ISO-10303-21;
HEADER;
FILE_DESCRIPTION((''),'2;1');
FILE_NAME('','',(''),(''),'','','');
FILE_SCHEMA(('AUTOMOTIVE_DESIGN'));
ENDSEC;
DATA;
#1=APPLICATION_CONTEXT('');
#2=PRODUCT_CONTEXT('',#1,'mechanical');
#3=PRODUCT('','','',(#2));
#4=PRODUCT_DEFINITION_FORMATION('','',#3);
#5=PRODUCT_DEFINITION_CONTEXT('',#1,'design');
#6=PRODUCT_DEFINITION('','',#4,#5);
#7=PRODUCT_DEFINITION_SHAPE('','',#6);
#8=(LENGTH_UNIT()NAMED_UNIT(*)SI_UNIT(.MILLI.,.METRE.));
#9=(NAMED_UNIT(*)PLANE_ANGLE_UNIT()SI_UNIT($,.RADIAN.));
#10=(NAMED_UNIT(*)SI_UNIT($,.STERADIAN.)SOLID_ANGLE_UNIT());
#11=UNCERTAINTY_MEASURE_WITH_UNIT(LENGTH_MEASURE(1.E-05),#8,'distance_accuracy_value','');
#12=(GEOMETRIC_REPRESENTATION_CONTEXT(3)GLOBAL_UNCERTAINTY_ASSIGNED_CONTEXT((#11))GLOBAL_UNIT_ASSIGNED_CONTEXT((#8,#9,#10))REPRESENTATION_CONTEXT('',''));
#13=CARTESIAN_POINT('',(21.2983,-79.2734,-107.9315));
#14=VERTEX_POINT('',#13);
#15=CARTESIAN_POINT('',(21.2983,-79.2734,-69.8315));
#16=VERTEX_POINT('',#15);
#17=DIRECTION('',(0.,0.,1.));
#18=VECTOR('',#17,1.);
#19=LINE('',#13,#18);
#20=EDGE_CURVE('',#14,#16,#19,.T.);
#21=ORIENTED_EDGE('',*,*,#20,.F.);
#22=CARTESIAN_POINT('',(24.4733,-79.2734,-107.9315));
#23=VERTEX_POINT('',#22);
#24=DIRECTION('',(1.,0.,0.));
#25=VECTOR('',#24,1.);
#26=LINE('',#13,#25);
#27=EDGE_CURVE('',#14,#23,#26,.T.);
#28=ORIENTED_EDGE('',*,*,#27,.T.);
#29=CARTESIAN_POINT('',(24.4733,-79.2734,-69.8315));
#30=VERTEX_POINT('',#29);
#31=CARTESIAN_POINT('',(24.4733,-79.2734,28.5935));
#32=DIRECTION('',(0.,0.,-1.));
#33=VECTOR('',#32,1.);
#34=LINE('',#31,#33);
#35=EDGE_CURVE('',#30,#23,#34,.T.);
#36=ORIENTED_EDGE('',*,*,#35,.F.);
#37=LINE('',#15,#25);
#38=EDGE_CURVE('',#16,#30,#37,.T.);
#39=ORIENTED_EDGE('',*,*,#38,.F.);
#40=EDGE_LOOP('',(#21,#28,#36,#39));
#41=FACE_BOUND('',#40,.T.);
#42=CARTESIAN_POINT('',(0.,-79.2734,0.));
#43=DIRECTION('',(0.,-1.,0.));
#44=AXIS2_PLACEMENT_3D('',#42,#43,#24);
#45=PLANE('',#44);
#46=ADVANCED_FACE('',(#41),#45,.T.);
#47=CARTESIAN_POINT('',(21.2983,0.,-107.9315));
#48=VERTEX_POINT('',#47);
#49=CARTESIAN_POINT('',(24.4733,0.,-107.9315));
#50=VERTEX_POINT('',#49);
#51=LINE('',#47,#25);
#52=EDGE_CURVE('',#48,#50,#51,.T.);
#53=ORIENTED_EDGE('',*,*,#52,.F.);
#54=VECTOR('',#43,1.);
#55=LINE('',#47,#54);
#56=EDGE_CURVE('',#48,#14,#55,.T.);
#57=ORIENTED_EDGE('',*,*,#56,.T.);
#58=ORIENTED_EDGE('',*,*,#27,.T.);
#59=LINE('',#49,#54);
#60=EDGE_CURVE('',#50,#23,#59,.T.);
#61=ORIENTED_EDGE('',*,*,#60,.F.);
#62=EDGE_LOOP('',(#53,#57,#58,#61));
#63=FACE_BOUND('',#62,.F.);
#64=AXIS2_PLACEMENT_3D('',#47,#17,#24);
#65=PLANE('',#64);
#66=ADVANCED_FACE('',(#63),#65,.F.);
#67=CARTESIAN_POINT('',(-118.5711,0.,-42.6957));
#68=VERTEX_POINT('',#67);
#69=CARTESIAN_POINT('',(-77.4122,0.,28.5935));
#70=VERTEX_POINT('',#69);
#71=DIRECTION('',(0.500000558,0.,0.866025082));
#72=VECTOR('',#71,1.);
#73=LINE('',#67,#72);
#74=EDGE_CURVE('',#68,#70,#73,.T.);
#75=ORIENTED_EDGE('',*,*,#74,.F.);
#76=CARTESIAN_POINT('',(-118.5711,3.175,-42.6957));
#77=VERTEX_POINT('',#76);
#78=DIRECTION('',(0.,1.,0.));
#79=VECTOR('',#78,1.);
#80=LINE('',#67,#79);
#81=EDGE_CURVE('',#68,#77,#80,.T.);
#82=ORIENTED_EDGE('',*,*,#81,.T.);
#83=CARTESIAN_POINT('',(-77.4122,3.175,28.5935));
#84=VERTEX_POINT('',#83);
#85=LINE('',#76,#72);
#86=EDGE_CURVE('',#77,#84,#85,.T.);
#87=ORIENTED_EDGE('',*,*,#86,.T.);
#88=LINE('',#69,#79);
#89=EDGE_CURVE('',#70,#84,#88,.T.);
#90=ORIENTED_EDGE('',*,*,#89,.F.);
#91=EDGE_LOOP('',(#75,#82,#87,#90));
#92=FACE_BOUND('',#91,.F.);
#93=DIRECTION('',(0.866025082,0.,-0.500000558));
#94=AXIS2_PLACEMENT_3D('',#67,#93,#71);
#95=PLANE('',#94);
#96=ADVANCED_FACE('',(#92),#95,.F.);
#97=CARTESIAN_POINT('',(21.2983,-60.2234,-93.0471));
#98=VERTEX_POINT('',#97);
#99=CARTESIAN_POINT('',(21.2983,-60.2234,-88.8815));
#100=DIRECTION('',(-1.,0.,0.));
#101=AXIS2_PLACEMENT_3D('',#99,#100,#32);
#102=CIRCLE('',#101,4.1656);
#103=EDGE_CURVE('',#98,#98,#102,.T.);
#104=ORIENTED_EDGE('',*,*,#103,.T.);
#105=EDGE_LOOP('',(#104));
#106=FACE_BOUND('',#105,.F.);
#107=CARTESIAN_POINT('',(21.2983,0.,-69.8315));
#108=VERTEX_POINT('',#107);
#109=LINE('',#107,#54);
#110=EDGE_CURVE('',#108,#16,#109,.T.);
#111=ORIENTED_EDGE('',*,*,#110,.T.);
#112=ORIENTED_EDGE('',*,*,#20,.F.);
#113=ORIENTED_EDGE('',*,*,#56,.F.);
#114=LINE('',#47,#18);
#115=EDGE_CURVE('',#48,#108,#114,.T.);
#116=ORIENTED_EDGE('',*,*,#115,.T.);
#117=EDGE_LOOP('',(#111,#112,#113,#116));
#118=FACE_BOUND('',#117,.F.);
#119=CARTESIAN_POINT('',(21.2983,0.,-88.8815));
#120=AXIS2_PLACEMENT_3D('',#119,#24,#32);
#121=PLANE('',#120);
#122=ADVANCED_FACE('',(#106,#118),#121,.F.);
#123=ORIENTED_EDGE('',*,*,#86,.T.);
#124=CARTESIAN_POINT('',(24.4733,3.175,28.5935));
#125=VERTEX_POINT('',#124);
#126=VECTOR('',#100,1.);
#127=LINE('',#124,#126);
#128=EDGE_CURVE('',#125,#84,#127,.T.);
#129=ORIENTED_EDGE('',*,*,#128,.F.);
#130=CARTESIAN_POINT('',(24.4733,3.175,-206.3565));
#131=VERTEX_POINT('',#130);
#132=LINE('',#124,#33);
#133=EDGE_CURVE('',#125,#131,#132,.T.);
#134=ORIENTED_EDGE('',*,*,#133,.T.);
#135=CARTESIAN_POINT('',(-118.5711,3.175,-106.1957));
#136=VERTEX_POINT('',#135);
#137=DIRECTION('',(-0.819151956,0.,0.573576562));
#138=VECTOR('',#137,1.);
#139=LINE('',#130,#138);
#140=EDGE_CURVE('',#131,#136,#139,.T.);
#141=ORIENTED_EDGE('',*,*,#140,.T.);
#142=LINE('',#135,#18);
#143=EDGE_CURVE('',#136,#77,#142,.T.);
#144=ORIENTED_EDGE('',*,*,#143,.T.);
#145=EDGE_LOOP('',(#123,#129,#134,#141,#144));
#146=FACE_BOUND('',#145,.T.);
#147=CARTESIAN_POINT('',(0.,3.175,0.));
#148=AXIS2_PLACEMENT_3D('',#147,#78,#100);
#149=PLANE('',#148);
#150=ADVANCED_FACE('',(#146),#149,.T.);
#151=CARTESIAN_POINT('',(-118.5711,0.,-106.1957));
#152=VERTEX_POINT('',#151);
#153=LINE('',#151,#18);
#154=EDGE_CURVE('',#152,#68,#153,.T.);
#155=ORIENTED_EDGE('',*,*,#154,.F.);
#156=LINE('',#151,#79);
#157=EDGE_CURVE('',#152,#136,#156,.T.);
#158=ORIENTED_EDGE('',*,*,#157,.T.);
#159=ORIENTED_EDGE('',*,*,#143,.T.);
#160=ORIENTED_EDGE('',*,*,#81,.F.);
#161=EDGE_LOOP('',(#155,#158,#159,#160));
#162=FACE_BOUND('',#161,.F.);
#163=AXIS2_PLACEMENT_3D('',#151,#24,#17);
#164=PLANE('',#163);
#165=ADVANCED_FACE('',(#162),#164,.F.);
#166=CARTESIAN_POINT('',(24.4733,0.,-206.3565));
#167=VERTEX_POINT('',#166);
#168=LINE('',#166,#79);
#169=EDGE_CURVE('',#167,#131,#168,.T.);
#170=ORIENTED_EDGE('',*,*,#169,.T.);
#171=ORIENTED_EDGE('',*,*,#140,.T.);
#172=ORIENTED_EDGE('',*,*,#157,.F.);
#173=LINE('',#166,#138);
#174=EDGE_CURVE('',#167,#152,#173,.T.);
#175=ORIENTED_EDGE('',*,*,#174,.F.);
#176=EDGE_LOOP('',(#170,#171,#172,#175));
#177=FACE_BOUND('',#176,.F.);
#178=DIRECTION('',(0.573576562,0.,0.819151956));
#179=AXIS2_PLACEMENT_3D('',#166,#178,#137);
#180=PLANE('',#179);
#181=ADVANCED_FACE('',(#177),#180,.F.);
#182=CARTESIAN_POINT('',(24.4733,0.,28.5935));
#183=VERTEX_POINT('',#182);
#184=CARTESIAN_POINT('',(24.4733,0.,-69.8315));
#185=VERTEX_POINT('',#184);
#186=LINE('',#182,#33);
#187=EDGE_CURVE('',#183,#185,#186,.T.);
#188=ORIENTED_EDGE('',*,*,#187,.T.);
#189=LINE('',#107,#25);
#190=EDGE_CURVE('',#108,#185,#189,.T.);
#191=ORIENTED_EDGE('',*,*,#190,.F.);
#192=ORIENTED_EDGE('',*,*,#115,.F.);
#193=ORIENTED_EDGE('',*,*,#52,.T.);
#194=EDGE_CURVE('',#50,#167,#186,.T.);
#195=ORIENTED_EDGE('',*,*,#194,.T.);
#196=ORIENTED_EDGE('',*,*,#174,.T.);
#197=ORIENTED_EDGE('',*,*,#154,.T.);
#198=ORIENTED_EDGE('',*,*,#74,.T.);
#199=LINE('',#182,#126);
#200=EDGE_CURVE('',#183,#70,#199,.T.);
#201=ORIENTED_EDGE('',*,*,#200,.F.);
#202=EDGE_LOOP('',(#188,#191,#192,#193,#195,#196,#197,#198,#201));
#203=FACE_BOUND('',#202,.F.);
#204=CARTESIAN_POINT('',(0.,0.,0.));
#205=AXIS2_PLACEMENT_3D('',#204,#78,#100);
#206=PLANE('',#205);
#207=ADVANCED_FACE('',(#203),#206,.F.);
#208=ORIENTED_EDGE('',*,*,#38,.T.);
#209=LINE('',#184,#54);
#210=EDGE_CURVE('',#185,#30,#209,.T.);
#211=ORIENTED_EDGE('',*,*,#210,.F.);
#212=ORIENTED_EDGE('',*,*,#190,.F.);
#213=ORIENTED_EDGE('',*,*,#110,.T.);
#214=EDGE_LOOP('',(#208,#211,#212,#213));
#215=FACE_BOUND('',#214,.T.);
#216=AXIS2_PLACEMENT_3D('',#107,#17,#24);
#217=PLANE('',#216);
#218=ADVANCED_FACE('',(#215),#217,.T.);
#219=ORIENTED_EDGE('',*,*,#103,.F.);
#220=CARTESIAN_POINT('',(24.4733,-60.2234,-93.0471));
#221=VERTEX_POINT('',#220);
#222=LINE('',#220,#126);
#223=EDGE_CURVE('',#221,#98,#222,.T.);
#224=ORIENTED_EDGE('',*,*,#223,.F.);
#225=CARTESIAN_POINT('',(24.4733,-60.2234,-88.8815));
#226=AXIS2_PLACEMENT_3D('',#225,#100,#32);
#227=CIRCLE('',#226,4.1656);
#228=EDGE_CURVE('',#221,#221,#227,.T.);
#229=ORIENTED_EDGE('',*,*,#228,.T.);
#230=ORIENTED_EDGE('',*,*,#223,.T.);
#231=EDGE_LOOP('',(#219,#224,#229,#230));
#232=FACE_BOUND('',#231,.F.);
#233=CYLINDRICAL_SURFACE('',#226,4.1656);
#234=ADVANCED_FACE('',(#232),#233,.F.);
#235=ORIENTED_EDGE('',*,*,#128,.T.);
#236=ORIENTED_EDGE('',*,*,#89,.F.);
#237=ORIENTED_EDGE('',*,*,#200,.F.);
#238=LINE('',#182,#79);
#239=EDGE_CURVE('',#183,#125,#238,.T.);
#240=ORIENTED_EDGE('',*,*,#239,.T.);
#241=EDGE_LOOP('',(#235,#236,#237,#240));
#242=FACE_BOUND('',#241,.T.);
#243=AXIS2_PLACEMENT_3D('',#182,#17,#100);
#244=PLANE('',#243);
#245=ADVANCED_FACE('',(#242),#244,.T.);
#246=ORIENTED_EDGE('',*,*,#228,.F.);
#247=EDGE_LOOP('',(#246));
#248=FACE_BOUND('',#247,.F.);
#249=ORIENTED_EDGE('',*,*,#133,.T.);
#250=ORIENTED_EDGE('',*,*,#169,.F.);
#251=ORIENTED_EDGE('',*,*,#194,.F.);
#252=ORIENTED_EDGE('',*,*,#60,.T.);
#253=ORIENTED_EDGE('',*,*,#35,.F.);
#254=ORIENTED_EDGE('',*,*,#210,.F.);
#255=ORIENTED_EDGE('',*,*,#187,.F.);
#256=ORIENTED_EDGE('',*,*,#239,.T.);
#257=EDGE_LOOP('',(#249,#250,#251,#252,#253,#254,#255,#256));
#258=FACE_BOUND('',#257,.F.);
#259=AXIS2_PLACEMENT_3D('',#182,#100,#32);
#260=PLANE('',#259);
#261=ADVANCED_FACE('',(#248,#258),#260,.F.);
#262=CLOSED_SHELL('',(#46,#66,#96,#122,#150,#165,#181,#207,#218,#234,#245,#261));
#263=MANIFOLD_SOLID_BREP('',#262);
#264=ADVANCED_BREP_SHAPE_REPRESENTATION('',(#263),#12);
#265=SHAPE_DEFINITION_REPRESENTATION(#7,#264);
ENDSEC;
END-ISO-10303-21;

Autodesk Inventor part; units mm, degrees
ref_plane "YZ Plane" through (0, 0, 0) normal (1, 0, 0) x (0, 1, 0)
ref_plane "XZ Plane" through (0, 0, 0) normal (0, 1, 0) x (-1, 0, 0)
ref_plane "XY Plane" through (0, 0, 0) normal (0, 0, 1) x (1, 0, 0)
sketch "Sketch1" plane through (0, 0, 0) normal (0, 1, 0) x (-1, 0, 0)
  line L0 (-24.4733, 28.5935) -> (-24.4733, -206.3565)
  line L1 (-24.4733, -206.3565) -> (118.5711, -106.1957)
  line L2 (-24.4733, -206.3565) -> (150.1517, -206.3565) construction
  line L3 (118.5711, -106.1957) -> (118.5711, -42.6957)
  line L4 (118.5711, -42.6957) -> (77.4122, 28.5935)
  line L5 (-24.4733, 28.5935) -> (77.4122, 28.5935)
  point P0 (0, 0)
  dimension "d0" = 234.95
  dimension "d1" = 174.625
  dimension "d2" = 35
  dimension "d3" = 63.5
  dimension "d4" = 150
extrude "Extrusion1" add sketch "Sketch1" along normal blind 3.175
sketch "Sketch2" plane through (0, 0, 0) normal (0, -1, 0) x (1, 0, 0)
  line L0 (24.4733, 28.5935) -> (24.4733, -206.3565) projected
  line L1 (24.4733, 28.5935) -> (24.4733, -206.3565)
  line L2 (21.2983, -88.8815) -> (21.2983, -69.8315)
  line L3 (21.2983, -88.8815) -> (21.2983, -107.9315)
  line L4 (21.2983, -107.9315) -> (24.4733, -107.9315)
  line L5 (21.2983, -69.8315) -> (24.4733, -69.8315)
  point P0 (0, 0)
  dimension "d8" = 19.05
  dimension "d9" = 19.05
extrude "Extrusion2" add sketch "Sketch2" along normal blind 79.2734
sketch "Sketch3" plane through (24.4733, 3.175, 28.5935) normal (1, 0, 0) x (0, 0, -1)
  line L0 (98.425, -82.4484) -> (117.475, -82.4484)
  line L1 (117.475, -82.4484) -> (117.475, -63.3984)
  line L2 (117.475, -63.3984) -> (98.425, -63.3984)
  line L3 (98.425, -63.3984) -> (98.425, -82.4484)
  point P0 (28.5935, -3.175)
  dimension "d12" = 19.05
  dimension "d13" = 19.05
hole "Hole1" at (24.4733, -60.2234, -88.8815) direction (-1, 0, 0) diameter 8.3312 end through all
properties part number "Left Chest"
